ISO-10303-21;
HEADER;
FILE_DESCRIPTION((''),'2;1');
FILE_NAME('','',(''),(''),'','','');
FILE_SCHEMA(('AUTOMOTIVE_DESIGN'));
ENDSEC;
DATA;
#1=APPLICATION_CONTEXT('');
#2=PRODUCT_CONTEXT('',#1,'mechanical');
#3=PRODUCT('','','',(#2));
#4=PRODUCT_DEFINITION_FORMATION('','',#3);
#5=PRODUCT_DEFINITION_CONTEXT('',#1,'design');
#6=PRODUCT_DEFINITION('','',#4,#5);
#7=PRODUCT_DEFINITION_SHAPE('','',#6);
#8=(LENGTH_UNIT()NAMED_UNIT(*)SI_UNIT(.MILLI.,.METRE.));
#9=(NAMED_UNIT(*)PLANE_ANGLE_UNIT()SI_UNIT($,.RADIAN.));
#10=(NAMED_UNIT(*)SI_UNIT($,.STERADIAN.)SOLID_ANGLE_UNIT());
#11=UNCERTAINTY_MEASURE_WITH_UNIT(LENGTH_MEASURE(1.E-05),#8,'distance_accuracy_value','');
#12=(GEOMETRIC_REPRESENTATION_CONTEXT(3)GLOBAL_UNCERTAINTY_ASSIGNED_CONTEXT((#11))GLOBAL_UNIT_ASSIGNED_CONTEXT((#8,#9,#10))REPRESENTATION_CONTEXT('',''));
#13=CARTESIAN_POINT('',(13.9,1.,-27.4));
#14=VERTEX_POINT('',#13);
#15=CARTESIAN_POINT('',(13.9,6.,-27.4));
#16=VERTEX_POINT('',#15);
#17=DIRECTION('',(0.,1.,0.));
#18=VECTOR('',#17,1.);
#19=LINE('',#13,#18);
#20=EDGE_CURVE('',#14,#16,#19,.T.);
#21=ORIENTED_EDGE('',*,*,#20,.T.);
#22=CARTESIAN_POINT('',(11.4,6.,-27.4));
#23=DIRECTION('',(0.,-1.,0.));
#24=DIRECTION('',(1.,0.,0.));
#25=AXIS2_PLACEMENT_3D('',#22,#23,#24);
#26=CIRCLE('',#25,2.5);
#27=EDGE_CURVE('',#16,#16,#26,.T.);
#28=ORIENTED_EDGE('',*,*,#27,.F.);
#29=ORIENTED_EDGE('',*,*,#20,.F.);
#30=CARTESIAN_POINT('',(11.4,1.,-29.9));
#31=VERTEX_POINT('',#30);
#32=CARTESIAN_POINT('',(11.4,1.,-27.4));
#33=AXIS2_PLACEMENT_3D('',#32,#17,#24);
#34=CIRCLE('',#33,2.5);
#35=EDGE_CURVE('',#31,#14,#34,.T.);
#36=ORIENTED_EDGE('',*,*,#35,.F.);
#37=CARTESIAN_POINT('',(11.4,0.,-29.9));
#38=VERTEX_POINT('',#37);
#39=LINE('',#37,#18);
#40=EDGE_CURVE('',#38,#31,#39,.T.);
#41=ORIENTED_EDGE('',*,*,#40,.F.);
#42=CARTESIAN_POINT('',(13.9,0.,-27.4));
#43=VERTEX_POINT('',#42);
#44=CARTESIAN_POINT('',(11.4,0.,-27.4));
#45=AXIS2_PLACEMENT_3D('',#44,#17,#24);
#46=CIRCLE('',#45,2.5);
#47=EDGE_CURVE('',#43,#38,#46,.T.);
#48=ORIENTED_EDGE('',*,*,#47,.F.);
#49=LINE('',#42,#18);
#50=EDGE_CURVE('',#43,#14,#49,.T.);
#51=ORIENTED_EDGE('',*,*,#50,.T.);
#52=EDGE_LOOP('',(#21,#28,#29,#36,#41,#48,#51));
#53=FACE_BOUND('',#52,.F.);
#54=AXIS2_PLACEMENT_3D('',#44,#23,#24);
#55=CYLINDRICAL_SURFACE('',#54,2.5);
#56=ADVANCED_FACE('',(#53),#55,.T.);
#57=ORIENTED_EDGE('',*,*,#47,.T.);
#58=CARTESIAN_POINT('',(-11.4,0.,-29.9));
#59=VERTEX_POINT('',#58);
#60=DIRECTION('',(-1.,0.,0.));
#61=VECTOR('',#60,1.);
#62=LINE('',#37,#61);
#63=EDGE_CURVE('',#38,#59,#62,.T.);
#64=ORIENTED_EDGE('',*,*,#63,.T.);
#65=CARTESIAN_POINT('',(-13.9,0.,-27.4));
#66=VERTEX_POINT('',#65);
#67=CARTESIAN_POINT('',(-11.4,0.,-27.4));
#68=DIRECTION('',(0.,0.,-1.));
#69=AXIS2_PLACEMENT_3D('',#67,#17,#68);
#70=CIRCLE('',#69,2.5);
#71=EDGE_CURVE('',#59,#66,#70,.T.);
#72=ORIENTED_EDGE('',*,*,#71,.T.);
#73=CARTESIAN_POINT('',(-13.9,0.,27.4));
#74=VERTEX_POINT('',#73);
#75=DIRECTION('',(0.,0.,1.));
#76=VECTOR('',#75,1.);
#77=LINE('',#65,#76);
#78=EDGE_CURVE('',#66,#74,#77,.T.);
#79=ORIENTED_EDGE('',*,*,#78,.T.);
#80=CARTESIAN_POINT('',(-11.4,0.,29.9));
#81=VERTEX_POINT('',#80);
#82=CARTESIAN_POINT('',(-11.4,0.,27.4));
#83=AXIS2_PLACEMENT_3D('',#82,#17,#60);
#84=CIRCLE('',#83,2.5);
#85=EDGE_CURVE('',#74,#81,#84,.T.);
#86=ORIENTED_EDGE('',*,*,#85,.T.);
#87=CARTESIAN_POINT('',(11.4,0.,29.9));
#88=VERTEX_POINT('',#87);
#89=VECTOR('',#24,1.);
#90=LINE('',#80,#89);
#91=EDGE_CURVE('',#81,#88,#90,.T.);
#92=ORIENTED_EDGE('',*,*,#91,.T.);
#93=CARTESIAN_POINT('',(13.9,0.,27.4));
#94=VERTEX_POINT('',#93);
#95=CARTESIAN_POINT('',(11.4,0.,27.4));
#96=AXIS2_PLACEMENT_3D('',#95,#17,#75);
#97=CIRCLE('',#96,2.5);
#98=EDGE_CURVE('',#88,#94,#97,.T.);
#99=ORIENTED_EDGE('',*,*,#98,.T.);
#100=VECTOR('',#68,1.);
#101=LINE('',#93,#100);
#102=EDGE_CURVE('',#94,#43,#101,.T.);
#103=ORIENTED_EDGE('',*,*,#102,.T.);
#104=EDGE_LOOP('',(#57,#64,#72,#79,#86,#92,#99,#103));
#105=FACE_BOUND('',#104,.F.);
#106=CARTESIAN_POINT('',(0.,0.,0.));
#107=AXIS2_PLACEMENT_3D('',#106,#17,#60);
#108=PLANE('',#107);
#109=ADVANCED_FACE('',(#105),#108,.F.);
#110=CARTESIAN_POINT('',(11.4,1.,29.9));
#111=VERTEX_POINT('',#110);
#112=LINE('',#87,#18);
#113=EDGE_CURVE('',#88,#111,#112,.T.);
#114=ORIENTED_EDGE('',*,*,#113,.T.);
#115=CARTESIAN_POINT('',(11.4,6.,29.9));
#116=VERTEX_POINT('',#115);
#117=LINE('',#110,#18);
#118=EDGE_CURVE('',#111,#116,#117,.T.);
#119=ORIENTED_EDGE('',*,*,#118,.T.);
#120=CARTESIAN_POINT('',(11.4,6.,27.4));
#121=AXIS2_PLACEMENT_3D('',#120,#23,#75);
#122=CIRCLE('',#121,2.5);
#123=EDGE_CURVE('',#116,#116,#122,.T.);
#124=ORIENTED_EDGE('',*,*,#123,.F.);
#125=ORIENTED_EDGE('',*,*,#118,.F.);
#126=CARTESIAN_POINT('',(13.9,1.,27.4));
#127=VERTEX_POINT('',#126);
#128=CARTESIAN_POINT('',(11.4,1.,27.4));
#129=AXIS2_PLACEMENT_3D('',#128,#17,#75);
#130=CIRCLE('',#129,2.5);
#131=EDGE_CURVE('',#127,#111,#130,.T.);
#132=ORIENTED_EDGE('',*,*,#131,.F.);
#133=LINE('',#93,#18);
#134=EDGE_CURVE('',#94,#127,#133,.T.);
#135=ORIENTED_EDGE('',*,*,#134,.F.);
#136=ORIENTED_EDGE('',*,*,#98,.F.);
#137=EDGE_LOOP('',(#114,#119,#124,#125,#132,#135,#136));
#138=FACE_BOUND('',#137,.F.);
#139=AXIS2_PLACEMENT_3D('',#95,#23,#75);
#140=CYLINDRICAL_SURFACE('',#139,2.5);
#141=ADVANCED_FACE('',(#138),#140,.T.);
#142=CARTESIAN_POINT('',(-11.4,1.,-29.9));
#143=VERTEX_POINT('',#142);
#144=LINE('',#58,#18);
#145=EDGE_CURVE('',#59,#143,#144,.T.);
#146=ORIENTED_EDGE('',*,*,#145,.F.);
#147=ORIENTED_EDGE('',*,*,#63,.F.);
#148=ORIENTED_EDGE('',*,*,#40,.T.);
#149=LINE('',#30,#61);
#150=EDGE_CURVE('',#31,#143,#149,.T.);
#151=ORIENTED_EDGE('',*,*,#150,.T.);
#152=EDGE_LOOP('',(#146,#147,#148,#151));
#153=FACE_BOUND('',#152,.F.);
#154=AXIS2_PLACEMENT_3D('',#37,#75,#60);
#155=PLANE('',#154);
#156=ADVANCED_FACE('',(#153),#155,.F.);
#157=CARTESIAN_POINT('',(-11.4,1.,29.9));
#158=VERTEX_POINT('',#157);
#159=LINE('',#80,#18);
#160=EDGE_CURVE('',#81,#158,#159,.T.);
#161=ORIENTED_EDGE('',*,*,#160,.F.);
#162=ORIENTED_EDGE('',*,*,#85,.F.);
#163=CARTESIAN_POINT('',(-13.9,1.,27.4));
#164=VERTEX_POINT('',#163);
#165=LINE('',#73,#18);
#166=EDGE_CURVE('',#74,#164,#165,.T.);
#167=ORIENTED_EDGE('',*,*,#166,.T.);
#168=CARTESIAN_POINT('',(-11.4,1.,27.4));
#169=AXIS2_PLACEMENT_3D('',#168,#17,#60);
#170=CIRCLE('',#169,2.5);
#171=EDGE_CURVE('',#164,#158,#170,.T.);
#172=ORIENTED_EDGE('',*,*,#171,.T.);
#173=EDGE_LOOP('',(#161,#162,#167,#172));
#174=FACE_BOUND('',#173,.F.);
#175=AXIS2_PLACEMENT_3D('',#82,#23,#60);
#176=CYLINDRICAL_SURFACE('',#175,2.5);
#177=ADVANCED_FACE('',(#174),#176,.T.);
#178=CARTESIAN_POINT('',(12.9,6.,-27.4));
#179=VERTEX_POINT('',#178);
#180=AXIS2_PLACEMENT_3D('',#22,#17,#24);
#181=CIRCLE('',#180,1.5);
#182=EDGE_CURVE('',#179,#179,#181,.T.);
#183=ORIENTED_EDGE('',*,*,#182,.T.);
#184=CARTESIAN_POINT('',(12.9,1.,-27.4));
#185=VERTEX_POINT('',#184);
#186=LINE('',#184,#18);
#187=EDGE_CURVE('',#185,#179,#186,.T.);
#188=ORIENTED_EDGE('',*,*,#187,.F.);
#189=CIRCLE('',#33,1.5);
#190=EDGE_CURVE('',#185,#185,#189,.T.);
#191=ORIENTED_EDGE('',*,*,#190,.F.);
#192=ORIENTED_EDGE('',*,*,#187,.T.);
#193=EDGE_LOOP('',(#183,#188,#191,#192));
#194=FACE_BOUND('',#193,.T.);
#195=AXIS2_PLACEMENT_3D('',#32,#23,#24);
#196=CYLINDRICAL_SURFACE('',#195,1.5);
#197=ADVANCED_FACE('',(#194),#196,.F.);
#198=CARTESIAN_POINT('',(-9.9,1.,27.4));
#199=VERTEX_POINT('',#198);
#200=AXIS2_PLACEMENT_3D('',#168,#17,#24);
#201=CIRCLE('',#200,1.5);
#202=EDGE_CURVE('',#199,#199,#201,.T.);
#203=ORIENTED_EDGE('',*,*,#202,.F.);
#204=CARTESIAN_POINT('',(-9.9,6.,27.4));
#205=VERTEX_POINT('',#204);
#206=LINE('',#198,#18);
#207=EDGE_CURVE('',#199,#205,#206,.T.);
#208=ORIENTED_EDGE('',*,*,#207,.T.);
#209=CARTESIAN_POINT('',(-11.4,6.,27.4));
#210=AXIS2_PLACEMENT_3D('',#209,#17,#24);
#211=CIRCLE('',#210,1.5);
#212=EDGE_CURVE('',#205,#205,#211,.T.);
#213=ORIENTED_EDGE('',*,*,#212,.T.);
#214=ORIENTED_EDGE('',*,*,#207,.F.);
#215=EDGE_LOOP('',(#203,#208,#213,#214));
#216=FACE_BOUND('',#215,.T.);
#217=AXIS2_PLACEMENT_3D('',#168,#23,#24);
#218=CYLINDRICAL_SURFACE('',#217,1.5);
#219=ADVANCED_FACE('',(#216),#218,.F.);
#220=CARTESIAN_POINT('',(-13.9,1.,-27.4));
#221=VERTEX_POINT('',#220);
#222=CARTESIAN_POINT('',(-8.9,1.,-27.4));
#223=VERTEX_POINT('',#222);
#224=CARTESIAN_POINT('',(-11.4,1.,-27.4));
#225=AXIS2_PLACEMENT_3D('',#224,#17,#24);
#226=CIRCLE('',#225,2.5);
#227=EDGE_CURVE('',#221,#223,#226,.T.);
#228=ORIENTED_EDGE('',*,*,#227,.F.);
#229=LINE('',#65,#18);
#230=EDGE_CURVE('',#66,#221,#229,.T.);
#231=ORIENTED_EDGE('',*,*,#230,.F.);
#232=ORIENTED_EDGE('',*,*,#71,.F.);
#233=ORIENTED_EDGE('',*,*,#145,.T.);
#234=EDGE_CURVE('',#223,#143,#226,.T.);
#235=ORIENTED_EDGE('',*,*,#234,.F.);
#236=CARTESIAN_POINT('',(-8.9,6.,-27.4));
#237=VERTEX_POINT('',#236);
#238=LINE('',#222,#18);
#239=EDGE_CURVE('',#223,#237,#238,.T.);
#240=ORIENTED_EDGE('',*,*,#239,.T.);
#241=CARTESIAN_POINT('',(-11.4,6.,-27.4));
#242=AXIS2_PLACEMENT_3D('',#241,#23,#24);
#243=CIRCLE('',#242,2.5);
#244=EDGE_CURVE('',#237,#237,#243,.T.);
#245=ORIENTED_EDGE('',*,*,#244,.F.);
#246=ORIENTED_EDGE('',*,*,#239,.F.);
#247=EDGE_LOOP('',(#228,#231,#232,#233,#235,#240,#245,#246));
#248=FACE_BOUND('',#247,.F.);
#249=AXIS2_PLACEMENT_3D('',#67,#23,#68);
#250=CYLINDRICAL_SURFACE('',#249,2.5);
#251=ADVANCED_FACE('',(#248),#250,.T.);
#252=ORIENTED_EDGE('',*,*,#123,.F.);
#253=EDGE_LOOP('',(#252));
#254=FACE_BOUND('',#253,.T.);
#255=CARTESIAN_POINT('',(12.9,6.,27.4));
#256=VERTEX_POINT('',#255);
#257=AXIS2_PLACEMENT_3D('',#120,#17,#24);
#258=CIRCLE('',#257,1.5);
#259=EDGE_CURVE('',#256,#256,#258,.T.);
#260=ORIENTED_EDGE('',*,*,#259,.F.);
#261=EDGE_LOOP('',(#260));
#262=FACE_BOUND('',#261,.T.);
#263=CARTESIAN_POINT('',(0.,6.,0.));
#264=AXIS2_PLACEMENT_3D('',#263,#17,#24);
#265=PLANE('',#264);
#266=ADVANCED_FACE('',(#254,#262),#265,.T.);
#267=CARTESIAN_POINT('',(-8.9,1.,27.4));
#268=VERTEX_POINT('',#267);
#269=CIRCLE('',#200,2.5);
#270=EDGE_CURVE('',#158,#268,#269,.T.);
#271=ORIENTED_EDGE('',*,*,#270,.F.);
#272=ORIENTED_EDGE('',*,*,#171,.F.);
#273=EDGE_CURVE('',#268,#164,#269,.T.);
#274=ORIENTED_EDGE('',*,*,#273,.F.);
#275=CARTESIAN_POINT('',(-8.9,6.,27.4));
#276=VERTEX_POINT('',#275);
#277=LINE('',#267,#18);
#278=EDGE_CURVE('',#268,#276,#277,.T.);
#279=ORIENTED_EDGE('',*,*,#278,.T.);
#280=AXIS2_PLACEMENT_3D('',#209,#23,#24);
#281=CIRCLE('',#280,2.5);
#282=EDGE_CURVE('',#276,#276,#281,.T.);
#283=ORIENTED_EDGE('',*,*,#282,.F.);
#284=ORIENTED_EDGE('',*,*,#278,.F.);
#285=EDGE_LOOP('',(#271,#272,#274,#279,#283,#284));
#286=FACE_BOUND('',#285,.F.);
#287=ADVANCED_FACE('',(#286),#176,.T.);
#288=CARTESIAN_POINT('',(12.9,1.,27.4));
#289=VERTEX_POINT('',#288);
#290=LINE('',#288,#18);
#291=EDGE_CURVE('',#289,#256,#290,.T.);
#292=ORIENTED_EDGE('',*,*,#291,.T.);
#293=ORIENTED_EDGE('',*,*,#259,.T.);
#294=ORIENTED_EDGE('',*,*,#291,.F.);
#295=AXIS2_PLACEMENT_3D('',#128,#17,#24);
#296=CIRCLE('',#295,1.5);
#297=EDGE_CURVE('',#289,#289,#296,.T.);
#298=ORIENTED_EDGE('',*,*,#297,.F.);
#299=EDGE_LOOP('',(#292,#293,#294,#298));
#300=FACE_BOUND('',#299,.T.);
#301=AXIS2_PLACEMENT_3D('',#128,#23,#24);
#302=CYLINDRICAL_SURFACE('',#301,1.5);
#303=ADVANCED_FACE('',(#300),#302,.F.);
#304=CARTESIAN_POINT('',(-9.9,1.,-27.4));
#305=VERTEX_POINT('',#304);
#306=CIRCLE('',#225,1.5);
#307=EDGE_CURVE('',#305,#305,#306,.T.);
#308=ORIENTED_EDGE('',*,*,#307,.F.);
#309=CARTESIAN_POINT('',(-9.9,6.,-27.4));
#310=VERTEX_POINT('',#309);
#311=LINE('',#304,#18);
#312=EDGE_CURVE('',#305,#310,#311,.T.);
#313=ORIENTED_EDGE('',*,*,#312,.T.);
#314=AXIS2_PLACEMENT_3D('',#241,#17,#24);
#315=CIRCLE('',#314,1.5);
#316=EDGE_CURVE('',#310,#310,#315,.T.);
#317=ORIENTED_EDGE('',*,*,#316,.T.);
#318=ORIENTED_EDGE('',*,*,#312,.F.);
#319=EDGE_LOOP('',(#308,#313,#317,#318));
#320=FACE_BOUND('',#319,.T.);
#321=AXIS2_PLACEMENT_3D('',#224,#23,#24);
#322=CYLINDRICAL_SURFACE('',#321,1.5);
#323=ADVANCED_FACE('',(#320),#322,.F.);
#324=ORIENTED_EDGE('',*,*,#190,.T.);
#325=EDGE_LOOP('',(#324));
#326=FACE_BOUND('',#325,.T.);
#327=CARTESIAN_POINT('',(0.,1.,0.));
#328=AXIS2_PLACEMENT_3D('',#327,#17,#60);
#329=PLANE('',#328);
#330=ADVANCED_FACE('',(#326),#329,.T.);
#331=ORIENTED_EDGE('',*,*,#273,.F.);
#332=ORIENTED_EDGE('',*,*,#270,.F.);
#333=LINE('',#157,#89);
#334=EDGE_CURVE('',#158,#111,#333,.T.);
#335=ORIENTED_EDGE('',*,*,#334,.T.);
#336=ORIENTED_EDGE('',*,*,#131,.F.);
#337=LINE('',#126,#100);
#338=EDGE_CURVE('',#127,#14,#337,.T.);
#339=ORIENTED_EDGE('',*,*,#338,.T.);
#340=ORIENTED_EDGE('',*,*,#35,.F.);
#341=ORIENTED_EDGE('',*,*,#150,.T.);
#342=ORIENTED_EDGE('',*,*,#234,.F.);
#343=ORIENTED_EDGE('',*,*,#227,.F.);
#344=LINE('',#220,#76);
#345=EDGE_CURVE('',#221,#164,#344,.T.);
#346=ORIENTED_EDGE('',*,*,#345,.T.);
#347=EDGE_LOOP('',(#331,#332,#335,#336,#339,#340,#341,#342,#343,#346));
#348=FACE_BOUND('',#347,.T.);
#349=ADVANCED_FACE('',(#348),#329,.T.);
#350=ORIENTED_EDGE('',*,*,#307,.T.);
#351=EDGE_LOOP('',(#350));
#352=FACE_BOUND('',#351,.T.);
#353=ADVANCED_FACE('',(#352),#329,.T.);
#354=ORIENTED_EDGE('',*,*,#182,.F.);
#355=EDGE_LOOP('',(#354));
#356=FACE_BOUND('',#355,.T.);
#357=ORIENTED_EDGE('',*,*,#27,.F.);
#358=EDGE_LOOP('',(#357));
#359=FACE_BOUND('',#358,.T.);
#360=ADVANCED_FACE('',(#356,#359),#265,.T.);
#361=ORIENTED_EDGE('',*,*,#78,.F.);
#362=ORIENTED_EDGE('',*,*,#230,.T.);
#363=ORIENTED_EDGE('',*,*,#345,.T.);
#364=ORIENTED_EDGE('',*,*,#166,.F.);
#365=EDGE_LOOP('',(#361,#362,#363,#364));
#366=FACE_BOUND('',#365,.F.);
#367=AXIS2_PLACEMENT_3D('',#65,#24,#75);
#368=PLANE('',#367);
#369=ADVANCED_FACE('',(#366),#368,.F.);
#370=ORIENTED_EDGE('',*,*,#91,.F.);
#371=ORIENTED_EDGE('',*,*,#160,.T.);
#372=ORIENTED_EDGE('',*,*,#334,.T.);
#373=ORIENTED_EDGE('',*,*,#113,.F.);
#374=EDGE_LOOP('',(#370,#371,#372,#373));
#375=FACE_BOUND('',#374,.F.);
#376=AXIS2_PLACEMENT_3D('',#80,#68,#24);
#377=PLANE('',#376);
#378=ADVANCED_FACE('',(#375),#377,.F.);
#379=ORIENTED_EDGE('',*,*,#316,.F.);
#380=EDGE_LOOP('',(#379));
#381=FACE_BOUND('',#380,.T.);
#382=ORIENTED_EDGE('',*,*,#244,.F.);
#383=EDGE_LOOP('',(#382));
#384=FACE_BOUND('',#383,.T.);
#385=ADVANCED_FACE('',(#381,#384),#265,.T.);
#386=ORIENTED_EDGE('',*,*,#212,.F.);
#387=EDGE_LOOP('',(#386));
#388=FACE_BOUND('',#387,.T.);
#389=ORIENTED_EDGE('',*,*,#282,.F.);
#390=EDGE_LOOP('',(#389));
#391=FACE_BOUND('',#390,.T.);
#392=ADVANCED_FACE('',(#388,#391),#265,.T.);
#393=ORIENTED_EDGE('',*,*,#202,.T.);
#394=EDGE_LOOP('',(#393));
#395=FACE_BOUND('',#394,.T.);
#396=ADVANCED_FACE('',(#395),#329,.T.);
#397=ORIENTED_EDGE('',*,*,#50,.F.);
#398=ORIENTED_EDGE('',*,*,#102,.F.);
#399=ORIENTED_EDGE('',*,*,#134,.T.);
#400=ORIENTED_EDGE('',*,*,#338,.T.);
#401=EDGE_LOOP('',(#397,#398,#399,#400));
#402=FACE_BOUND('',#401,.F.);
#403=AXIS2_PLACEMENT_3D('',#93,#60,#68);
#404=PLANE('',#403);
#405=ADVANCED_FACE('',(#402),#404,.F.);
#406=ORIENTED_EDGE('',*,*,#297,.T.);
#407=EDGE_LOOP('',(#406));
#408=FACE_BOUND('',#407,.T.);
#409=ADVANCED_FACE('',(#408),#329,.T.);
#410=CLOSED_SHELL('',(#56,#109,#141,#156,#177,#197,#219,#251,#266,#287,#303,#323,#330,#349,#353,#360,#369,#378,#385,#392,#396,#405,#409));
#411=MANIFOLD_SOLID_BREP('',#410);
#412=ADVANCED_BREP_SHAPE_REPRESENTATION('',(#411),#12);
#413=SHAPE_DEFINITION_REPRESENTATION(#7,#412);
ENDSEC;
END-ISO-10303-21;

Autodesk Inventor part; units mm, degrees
ref_plane "YZ Plane" through (0, 0, 0) normal (1, 0, 0) x (0, 1, 0)
ref_plane "XZ Plane" through (0, 0, 0) normal (0, 1, 0) x (-1, 0, 0)
ref_plane "XY Plane" through (0, 0, 0) normal (0, 0, 1) x (1, 0, 0)
sketch "Sketch1" plane through (0, 0, 0) normal (0, 1, 0) x (-1, 0, 0)
  arc A0 (13.9, 27.4) -> (11.4, 29.9) centre (11.4, 27.4) ccw
  arc A1 (-11.4, 29.9) -> (-13.9, 27.4) centre (-11.4, 27.4) ccw
  arc A2 (11.4, -29.9) -> (13.9, -27.4) centre (11.4, -27.4) ccw
  arc A3 (-13.9, -27.4) -> (-11.4, -29.9) centre (-11.4, -27.4) ccw
  line L0 (11.4, 29.9) -> (-11.4, 29.9)
  line L1 (-13.9, 27.4) -> (-13.9, -27.4)
  line L2 (-11.4, -29.9) -> (11.4, -29.9)
  line L3 (13.9, -27.4) -> (13.9, 27.4)
  point P0 (0, 0)
extrude "Extrusion1" add sketch "Sketch1" along normal blind 1
sketch "Sketch2" plane through (0, 1, 0) normal (0, 1, 0) x (1, 0, 0)
  arc A0 (-13.9, -27.4) -> (-11.4, -29.9) centre (-11.4, -27.4) ccw projected
  circle A1 centre (-11.4, -27.4) radius 2.5
  circle A2 centre (-11.4, -27.4) radius 1.5
  arc A3 (11.4, -29.9) -> (13.9, -27.4) centre (11.4, -27.4) ccw projected
  circle A4 centre (11.4, -27.4) radius 2.5
  circle A5 centre (11.4, -27.4) radius 1.5
  arc A6 (13.9, 27.4) -> (11.4, 29.9) centre (11.4, 27.4) ccw projected
  circle A7 centre (11.4, 27.4) radius 2.5
  circle A8 centre (11.4, 27.4) radius 1.5
  arc A9 (-11.4, 29.9) -> (-13.9, 27.4) centre (-11.4, 27.4) ccw projected
  circle A10 centre (-11.4, 27.4) radius 2.5
  circle A11 centre (-11.4, 27.4) radius 1.5
  point P0 (0, 0)
  dimension "d17" = 3
  dimension "d18" = 3
  dimension "d19" = 3
  dimension "d20" = 3
extrude "Extrusion2" add sketch "Sketch2" along normal blind 5
properties part number "DC converter base"
